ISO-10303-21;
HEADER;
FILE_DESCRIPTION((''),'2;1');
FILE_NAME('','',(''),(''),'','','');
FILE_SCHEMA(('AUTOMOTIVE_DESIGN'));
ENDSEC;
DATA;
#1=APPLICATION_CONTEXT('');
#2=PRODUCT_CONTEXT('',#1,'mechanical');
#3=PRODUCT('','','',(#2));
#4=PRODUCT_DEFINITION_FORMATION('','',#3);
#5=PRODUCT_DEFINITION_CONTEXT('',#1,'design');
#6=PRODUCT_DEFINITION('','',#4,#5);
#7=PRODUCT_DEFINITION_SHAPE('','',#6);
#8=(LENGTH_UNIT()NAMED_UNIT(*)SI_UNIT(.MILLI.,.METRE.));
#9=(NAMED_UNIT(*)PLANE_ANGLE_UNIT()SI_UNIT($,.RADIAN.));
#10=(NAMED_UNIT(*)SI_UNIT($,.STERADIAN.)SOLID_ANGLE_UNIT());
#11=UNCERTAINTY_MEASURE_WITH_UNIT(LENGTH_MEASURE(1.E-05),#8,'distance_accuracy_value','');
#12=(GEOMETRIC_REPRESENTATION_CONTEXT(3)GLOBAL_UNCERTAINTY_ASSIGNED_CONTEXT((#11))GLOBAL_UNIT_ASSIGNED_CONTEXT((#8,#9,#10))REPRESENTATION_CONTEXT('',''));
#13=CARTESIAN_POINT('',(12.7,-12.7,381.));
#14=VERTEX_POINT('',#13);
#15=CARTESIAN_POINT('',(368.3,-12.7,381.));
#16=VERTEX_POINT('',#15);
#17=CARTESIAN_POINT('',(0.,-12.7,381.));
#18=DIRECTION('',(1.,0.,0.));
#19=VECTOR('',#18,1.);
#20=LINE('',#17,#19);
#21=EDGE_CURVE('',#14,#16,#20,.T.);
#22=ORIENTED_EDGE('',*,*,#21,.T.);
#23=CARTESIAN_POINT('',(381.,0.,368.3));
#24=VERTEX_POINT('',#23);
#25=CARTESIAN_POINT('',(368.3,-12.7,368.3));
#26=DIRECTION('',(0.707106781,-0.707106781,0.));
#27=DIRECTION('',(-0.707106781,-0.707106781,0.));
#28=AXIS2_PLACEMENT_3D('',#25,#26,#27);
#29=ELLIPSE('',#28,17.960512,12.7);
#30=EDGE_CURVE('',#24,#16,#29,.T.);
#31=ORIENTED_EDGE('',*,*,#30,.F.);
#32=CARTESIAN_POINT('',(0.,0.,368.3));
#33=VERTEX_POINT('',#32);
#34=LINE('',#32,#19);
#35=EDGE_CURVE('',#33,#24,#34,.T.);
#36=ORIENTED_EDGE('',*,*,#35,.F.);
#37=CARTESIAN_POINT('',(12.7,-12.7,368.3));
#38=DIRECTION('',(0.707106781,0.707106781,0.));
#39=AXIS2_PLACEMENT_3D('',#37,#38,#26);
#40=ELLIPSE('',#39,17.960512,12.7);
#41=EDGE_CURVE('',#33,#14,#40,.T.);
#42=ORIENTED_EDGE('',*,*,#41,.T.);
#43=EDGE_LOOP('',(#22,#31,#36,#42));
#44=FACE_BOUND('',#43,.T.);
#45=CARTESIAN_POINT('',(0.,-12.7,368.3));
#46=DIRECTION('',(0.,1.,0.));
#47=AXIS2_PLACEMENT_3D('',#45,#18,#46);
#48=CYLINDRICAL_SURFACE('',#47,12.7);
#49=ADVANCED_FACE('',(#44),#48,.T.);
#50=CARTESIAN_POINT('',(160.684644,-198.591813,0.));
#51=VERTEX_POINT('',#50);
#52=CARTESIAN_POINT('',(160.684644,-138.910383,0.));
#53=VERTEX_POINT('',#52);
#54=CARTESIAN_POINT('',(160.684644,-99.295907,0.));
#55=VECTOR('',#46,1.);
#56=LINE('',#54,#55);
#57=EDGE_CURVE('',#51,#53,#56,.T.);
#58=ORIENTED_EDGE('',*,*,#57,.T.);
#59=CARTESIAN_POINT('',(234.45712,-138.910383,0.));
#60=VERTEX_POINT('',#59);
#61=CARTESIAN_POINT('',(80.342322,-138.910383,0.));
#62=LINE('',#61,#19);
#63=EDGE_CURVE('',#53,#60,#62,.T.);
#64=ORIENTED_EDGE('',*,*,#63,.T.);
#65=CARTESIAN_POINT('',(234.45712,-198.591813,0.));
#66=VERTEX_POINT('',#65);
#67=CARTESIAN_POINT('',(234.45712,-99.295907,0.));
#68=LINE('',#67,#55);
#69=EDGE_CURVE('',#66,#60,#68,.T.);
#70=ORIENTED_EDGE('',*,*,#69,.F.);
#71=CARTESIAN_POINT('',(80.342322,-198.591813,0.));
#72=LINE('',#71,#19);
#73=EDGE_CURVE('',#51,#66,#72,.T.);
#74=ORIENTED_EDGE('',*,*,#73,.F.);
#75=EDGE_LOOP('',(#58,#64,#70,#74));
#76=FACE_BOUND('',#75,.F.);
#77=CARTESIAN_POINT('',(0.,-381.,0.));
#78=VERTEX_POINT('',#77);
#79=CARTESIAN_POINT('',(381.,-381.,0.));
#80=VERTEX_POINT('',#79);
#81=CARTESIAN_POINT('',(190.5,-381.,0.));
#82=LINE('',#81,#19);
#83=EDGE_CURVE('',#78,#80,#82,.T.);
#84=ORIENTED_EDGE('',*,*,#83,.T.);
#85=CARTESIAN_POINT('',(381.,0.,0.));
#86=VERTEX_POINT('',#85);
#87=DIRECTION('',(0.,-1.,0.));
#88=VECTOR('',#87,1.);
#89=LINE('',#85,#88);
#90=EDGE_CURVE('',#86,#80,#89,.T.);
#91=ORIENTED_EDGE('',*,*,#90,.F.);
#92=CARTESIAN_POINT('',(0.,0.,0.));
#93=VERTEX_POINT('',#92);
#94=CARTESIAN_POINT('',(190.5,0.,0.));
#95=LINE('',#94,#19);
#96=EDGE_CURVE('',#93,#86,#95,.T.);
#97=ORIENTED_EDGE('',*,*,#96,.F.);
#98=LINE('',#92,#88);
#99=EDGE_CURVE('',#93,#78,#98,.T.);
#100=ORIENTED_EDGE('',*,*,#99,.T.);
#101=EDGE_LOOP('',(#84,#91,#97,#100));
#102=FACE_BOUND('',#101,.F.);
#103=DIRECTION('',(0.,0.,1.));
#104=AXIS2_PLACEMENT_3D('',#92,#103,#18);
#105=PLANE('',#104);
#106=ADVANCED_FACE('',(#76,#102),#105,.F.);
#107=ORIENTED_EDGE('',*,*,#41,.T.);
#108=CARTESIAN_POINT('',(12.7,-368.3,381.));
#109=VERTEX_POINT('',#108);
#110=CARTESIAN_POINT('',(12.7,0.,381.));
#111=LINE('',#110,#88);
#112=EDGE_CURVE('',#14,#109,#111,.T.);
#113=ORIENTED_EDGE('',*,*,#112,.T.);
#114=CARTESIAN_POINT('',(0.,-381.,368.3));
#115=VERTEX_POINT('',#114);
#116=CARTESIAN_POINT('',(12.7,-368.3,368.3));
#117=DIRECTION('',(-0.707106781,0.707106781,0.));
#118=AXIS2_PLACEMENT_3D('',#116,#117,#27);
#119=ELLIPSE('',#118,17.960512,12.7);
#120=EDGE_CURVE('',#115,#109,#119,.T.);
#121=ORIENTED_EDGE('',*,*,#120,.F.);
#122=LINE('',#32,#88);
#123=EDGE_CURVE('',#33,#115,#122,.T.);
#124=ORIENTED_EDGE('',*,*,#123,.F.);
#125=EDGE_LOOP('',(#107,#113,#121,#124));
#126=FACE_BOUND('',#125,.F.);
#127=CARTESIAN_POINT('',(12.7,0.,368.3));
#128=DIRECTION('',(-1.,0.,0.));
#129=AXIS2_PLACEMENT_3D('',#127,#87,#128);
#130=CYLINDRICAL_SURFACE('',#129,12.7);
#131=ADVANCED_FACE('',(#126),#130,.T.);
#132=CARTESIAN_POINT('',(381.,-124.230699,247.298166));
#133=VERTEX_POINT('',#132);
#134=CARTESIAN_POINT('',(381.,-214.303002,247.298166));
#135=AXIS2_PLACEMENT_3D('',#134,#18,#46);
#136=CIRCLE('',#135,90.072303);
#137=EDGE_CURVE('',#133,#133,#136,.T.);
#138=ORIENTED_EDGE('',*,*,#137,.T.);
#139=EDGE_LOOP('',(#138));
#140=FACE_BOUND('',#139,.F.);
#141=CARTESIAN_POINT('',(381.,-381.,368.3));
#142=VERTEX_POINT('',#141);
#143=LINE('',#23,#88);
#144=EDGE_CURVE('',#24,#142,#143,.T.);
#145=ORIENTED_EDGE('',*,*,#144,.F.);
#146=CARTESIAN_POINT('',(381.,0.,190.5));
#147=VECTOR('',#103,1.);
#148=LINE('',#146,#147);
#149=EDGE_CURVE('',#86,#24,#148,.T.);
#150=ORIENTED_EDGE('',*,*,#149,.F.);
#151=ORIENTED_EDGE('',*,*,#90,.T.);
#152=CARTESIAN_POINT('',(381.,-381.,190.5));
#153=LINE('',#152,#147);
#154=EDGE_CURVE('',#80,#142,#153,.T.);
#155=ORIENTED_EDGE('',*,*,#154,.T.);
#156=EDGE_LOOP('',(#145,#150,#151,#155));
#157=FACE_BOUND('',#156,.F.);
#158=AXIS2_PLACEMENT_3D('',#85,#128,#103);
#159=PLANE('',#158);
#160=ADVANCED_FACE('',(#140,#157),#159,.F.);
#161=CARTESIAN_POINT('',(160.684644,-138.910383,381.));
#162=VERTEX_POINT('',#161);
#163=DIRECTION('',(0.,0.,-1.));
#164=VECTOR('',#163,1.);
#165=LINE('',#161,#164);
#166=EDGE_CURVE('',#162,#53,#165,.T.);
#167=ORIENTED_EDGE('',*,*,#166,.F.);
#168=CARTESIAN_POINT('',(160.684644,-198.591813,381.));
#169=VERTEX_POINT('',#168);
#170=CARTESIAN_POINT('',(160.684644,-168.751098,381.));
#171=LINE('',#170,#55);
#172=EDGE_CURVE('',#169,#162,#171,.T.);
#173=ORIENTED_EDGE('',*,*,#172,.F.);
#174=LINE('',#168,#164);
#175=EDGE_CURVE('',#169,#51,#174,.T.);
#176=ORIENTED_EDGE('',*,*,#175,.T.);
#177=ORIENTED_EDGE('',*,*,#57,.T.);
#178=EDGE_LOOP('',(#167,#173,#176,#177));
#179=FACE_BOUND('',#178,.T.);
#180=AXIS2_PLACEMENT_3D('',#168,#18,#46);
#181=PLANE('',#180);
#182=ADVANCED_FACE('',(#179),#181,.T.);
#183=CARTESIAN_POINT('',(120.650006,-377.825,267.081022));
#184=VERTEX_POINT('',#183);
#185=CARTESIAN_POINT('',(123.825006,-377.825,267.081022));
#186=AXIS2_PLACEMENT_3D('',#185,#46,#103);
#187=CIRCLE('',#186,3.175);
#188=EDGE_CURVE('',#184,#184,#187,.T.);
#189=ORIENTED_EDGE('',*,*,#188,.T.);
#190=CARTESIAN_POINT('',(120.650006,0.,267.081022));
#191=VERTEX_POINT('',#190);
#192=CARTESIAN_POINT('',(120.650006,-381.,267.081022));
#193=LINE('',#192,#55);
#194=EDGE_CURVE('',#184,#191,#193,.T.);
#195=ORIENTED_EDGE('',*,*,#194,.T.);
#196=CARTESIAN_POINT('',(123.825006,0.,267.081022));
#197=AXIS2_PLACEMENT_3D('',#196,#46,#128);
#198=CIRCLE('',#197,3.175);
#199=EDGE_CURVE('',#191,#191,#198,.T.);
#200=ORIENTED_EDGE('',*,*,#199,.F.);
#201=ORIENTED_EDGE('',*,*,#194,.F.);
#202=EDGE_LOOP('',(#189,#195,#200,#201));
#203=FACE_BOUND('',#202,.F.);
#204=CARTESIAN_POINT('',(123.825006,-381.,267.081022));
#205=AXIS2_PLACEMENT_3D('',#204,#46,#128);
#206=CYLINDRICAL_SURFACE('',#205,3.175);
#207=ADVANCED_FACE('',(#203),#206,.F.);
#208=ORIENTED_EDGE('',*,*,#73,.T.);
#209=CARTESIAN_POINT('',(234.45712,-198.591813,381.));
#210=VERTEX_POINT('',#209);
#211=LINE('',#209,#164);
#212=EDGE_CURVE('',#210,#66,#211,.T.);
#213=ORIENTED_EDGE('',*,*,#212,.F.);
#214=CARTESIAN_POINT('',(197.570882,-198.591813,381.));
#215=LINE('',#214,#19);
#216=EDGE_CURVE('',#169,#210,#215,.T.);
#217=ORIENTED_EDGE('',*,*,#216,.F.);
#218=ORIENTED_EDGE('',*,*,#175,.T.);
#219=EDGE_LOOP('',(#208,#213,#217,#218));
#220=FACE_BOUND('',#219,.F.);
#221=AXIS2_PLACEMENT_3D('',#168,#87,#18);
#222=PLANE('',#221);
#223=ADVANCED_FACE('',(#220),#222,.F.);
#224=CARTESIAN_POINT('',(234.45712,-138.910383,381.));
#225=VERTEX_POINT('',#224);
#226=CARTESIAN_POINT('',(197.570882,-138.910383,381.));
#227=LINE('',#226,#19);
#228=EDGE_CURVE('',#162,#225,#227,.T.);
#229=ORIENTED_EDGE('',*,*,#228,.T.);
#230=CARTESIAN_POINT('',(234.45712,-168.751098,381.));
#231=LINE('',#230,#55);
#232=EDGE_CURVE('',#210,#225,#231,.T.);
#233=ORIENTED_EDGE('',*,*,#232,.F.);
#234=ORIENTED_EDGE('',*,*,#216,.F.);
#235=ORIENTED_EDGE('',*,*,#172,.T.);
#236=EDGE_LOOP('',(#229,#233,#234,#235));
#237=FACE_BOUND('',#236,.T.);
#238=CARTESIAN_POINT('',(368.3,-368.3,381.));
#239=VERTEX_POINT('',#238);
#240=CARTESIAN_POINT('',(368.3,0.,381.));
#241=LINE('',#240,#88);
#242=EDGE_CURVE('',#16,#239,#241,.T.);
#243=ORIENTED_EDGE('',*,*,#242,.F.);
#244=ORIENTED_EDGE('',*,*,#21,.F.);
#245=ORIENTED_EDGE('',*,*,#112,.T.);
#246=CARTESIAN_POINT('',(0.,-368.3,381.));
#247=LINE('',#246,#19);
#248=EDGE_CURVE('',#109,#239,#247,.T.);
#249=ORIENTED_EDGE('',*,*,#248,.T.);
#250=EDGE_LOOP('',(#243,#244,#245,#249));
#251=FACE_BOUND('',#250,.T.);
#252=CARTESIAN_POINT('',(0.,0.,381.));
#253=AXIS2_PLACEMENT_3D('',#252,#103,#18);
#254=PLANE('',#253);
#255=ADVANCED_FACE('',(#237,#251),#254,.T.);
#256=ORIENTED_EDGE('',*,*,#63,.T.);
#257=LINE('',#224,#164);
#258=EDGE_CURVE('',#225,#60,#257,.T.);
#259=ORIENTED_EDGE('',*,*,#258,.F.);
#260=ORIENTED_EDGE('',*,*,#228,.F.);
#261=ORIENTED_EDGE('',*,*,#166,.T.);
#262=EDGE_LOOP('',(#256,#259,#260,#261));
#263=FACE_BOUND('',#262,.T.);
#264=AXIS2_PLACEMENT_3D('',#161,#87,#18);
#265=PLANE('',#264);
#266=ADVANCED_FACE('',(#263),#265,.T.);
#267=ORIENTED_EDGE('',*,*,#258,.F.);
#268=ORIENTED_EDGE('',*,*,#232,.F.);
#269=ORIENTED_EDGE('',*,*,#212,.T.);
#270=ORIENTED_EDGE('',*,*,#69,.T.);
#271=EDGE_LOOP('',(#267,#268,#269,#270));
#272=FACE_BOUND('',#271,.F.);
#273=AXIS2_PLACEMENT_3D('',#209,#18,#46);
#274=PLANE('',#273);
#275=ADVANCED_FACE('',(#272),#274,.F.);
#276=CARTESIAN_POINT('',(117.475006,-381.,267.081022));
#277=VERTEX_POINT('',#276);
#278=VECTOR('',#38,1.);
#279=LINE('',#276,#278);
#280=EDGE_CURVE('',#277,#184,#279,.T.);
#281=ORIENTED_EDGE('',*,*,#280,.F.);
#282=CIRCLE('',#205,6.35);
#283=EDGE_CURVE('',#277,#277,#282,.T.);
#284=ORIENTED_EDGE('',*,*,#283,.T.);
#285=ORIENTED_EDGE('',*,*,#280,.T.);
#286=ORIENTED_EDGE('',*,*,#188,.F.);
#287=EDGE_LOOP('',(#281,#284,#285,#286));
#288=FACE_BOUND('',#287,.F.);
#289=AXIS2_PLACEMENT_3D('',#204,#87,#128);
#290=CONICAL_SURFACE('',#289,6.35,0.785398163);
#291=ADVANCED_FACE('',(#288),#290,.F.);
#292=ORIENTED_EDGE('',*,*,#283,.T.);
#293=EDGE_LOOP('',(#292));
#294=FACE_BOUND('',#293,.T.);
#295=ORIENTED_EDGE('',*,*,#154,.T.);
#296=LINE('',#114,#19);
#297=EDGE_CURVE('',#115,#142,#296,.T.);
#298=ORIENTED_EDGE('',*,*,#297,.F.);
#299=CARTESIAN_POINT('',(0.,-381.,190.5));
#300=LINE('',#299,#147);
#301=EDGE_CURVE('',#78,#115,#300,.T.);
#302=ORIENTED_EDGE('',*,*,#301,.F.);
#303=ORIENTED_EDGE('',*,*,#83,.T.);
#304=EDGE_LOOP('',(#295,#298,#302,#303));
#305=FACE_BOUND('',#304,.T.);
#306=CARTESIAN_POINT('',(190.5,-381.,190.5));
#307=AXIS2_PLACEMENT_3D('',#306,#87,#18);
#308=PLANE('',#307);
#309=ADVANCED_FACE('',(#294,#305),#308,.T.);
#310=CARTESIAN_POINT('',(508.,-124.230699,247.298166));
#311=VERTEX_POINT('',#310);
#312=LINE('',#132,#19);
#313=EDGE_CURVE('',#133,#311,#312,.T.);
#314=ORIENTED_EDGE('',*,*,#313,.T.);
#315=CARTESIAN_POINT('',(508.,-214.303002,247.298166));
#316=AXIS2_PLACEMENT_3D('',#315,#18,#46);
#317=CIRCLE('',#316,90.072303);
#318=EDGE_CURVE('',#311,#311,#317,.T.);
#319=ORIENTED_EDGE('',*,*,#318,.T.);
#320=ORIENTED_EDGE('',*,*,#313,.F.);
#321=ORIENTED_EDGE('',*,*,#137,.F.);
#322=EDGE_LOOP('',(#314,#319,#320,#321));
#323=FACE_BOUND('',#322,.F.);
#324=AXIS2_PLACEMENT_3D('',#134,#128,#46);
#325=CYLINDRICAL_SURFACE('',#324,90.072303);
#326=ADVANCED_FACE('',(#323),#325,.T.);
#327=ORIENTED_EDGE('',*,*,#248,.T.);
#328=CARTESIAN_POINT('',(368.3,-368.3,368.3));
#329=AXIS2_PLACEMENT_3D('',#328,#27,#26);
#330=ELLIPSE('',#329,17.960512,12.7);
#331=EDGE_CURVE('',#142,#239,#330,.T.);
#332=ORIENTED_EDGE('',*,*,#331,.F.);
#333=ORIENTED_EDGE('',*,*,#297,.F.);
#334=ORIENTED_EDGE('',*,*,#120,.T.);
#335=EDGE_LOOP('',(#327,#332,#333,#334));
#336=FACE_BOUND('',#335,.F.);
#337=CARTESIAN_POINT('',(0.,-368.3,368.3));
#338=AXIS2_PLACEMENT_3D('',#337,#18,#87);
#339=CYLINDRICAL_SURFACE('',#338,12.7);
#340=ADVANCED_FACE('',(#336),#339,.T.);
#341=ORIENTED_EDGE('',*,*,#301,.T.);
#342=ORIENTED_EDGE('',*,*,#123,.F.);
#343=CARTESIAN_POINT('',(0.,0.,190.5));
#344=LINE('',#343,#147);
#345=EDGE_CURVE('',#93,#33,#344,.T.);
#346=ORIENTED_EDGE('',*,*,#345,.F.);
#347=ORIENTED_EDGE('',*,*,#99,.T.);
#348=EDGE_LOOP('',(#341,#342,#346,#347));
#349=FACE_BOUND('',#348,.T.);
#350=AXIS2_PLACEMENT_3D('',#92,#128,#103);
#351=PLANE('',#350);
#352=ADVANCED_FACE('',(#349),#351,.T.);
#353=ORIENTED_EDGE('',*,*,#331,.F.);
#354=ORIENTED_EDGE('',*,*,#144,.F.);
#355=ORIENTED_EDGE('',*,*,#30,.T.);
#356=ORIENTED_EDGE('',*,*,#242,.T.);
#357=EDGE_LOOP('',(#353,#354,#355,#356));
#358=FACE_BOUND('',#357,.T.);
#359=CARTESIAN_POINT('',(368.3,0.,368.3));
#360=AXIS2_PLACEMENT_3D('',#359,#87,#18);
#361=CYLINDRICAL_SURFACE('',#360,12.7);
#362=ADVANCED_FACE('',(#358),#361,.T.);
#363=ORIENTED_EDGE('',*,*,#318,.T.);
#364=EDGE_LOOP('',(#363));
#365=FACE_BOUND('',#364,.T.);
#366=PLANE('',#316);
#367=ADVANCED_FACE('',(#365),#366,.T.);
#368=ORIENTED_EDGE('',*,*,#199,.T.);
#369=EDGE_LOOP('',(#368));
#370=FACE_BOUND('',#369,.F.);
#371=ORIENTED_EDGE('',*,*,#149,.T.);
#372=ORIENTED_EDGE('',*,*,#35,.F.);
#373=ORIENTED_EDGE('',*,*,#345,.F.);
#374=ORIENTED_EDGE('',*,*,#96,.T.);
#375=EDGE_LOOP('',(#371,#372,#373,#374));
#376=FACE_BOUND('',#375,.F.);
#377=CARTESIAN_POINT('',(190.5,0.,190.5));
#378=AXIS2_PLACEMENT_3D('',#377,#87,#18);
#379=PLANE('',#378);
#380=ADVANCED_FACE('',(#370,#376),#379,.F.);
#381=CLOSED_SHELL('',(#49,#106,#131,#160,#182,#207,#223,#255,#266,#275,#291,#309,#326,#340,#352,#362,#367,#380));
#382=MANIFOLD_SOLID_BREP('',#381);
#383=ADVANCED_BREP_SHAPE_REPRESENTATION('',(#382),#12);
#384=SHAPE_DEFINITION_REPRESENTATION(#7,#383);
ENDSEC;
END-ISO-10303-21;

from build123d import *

# Parameters (mm, degrees)
F0_W           = 381
F0_H           = 381
F1_DEPTH       = 381
F3_D           = 6.35
F3_CSINK_D     = 12.7
F3_CSINK_ANGLE = 90
F4_R           = 12.7
F5_R           = 90.072303
F6_DEPTH       = 127
F7_W           = 73.772475
F7_H           = 59.68143
F8_DEPTH       = 508


with BuildPart() as f1:
    # F0 (on Front) → F1 (new body)
    with BuildSketch(Plane.XZ):
        with Locations((190.5, 190.5)):
            Rectangle(F0_W, F0_H)
    extrude(amount=F1_DEPTH)

    # F3 (through all)
    with Locations(Plane.XZ.offset(381)):
        with Locations((123.825006, 267.081022)):
            CounterSinkHole(F3_D / 2, F3_CSINK_D / 2, counter_sink_angle=F3_CSINK_ANGLE)

    # F4
    f4_edges = [f1.edges().sort_by_distance(p)[0] for p in [
        (381, -190.5, 381),
        (0, -190.5, 381),
        (190.5, 0, 381),
        (190.5, -381, 381),
    ]]
    fillet(f4_edges, radius=F4_R)

    # F5 (on face) → F6 (join)
    with BuildSketch(Plane.YZ.offset(381)):
        with Locations((-214.303002, 247.298166)):
            Circle(F5_R)
    extrude(amount=F6_DEPTH)

    # F7 (on face) → F8 (cut)
    with BuildSketch(Plane.XY.offset(381)):
        with Locations((197.570882, -168.751098)):
            Rectangle(F7_W, F7_H)
    extrude(amount=-F8_DEPTH, mode=Mode.SUBTRACT)


solid = f1.part
